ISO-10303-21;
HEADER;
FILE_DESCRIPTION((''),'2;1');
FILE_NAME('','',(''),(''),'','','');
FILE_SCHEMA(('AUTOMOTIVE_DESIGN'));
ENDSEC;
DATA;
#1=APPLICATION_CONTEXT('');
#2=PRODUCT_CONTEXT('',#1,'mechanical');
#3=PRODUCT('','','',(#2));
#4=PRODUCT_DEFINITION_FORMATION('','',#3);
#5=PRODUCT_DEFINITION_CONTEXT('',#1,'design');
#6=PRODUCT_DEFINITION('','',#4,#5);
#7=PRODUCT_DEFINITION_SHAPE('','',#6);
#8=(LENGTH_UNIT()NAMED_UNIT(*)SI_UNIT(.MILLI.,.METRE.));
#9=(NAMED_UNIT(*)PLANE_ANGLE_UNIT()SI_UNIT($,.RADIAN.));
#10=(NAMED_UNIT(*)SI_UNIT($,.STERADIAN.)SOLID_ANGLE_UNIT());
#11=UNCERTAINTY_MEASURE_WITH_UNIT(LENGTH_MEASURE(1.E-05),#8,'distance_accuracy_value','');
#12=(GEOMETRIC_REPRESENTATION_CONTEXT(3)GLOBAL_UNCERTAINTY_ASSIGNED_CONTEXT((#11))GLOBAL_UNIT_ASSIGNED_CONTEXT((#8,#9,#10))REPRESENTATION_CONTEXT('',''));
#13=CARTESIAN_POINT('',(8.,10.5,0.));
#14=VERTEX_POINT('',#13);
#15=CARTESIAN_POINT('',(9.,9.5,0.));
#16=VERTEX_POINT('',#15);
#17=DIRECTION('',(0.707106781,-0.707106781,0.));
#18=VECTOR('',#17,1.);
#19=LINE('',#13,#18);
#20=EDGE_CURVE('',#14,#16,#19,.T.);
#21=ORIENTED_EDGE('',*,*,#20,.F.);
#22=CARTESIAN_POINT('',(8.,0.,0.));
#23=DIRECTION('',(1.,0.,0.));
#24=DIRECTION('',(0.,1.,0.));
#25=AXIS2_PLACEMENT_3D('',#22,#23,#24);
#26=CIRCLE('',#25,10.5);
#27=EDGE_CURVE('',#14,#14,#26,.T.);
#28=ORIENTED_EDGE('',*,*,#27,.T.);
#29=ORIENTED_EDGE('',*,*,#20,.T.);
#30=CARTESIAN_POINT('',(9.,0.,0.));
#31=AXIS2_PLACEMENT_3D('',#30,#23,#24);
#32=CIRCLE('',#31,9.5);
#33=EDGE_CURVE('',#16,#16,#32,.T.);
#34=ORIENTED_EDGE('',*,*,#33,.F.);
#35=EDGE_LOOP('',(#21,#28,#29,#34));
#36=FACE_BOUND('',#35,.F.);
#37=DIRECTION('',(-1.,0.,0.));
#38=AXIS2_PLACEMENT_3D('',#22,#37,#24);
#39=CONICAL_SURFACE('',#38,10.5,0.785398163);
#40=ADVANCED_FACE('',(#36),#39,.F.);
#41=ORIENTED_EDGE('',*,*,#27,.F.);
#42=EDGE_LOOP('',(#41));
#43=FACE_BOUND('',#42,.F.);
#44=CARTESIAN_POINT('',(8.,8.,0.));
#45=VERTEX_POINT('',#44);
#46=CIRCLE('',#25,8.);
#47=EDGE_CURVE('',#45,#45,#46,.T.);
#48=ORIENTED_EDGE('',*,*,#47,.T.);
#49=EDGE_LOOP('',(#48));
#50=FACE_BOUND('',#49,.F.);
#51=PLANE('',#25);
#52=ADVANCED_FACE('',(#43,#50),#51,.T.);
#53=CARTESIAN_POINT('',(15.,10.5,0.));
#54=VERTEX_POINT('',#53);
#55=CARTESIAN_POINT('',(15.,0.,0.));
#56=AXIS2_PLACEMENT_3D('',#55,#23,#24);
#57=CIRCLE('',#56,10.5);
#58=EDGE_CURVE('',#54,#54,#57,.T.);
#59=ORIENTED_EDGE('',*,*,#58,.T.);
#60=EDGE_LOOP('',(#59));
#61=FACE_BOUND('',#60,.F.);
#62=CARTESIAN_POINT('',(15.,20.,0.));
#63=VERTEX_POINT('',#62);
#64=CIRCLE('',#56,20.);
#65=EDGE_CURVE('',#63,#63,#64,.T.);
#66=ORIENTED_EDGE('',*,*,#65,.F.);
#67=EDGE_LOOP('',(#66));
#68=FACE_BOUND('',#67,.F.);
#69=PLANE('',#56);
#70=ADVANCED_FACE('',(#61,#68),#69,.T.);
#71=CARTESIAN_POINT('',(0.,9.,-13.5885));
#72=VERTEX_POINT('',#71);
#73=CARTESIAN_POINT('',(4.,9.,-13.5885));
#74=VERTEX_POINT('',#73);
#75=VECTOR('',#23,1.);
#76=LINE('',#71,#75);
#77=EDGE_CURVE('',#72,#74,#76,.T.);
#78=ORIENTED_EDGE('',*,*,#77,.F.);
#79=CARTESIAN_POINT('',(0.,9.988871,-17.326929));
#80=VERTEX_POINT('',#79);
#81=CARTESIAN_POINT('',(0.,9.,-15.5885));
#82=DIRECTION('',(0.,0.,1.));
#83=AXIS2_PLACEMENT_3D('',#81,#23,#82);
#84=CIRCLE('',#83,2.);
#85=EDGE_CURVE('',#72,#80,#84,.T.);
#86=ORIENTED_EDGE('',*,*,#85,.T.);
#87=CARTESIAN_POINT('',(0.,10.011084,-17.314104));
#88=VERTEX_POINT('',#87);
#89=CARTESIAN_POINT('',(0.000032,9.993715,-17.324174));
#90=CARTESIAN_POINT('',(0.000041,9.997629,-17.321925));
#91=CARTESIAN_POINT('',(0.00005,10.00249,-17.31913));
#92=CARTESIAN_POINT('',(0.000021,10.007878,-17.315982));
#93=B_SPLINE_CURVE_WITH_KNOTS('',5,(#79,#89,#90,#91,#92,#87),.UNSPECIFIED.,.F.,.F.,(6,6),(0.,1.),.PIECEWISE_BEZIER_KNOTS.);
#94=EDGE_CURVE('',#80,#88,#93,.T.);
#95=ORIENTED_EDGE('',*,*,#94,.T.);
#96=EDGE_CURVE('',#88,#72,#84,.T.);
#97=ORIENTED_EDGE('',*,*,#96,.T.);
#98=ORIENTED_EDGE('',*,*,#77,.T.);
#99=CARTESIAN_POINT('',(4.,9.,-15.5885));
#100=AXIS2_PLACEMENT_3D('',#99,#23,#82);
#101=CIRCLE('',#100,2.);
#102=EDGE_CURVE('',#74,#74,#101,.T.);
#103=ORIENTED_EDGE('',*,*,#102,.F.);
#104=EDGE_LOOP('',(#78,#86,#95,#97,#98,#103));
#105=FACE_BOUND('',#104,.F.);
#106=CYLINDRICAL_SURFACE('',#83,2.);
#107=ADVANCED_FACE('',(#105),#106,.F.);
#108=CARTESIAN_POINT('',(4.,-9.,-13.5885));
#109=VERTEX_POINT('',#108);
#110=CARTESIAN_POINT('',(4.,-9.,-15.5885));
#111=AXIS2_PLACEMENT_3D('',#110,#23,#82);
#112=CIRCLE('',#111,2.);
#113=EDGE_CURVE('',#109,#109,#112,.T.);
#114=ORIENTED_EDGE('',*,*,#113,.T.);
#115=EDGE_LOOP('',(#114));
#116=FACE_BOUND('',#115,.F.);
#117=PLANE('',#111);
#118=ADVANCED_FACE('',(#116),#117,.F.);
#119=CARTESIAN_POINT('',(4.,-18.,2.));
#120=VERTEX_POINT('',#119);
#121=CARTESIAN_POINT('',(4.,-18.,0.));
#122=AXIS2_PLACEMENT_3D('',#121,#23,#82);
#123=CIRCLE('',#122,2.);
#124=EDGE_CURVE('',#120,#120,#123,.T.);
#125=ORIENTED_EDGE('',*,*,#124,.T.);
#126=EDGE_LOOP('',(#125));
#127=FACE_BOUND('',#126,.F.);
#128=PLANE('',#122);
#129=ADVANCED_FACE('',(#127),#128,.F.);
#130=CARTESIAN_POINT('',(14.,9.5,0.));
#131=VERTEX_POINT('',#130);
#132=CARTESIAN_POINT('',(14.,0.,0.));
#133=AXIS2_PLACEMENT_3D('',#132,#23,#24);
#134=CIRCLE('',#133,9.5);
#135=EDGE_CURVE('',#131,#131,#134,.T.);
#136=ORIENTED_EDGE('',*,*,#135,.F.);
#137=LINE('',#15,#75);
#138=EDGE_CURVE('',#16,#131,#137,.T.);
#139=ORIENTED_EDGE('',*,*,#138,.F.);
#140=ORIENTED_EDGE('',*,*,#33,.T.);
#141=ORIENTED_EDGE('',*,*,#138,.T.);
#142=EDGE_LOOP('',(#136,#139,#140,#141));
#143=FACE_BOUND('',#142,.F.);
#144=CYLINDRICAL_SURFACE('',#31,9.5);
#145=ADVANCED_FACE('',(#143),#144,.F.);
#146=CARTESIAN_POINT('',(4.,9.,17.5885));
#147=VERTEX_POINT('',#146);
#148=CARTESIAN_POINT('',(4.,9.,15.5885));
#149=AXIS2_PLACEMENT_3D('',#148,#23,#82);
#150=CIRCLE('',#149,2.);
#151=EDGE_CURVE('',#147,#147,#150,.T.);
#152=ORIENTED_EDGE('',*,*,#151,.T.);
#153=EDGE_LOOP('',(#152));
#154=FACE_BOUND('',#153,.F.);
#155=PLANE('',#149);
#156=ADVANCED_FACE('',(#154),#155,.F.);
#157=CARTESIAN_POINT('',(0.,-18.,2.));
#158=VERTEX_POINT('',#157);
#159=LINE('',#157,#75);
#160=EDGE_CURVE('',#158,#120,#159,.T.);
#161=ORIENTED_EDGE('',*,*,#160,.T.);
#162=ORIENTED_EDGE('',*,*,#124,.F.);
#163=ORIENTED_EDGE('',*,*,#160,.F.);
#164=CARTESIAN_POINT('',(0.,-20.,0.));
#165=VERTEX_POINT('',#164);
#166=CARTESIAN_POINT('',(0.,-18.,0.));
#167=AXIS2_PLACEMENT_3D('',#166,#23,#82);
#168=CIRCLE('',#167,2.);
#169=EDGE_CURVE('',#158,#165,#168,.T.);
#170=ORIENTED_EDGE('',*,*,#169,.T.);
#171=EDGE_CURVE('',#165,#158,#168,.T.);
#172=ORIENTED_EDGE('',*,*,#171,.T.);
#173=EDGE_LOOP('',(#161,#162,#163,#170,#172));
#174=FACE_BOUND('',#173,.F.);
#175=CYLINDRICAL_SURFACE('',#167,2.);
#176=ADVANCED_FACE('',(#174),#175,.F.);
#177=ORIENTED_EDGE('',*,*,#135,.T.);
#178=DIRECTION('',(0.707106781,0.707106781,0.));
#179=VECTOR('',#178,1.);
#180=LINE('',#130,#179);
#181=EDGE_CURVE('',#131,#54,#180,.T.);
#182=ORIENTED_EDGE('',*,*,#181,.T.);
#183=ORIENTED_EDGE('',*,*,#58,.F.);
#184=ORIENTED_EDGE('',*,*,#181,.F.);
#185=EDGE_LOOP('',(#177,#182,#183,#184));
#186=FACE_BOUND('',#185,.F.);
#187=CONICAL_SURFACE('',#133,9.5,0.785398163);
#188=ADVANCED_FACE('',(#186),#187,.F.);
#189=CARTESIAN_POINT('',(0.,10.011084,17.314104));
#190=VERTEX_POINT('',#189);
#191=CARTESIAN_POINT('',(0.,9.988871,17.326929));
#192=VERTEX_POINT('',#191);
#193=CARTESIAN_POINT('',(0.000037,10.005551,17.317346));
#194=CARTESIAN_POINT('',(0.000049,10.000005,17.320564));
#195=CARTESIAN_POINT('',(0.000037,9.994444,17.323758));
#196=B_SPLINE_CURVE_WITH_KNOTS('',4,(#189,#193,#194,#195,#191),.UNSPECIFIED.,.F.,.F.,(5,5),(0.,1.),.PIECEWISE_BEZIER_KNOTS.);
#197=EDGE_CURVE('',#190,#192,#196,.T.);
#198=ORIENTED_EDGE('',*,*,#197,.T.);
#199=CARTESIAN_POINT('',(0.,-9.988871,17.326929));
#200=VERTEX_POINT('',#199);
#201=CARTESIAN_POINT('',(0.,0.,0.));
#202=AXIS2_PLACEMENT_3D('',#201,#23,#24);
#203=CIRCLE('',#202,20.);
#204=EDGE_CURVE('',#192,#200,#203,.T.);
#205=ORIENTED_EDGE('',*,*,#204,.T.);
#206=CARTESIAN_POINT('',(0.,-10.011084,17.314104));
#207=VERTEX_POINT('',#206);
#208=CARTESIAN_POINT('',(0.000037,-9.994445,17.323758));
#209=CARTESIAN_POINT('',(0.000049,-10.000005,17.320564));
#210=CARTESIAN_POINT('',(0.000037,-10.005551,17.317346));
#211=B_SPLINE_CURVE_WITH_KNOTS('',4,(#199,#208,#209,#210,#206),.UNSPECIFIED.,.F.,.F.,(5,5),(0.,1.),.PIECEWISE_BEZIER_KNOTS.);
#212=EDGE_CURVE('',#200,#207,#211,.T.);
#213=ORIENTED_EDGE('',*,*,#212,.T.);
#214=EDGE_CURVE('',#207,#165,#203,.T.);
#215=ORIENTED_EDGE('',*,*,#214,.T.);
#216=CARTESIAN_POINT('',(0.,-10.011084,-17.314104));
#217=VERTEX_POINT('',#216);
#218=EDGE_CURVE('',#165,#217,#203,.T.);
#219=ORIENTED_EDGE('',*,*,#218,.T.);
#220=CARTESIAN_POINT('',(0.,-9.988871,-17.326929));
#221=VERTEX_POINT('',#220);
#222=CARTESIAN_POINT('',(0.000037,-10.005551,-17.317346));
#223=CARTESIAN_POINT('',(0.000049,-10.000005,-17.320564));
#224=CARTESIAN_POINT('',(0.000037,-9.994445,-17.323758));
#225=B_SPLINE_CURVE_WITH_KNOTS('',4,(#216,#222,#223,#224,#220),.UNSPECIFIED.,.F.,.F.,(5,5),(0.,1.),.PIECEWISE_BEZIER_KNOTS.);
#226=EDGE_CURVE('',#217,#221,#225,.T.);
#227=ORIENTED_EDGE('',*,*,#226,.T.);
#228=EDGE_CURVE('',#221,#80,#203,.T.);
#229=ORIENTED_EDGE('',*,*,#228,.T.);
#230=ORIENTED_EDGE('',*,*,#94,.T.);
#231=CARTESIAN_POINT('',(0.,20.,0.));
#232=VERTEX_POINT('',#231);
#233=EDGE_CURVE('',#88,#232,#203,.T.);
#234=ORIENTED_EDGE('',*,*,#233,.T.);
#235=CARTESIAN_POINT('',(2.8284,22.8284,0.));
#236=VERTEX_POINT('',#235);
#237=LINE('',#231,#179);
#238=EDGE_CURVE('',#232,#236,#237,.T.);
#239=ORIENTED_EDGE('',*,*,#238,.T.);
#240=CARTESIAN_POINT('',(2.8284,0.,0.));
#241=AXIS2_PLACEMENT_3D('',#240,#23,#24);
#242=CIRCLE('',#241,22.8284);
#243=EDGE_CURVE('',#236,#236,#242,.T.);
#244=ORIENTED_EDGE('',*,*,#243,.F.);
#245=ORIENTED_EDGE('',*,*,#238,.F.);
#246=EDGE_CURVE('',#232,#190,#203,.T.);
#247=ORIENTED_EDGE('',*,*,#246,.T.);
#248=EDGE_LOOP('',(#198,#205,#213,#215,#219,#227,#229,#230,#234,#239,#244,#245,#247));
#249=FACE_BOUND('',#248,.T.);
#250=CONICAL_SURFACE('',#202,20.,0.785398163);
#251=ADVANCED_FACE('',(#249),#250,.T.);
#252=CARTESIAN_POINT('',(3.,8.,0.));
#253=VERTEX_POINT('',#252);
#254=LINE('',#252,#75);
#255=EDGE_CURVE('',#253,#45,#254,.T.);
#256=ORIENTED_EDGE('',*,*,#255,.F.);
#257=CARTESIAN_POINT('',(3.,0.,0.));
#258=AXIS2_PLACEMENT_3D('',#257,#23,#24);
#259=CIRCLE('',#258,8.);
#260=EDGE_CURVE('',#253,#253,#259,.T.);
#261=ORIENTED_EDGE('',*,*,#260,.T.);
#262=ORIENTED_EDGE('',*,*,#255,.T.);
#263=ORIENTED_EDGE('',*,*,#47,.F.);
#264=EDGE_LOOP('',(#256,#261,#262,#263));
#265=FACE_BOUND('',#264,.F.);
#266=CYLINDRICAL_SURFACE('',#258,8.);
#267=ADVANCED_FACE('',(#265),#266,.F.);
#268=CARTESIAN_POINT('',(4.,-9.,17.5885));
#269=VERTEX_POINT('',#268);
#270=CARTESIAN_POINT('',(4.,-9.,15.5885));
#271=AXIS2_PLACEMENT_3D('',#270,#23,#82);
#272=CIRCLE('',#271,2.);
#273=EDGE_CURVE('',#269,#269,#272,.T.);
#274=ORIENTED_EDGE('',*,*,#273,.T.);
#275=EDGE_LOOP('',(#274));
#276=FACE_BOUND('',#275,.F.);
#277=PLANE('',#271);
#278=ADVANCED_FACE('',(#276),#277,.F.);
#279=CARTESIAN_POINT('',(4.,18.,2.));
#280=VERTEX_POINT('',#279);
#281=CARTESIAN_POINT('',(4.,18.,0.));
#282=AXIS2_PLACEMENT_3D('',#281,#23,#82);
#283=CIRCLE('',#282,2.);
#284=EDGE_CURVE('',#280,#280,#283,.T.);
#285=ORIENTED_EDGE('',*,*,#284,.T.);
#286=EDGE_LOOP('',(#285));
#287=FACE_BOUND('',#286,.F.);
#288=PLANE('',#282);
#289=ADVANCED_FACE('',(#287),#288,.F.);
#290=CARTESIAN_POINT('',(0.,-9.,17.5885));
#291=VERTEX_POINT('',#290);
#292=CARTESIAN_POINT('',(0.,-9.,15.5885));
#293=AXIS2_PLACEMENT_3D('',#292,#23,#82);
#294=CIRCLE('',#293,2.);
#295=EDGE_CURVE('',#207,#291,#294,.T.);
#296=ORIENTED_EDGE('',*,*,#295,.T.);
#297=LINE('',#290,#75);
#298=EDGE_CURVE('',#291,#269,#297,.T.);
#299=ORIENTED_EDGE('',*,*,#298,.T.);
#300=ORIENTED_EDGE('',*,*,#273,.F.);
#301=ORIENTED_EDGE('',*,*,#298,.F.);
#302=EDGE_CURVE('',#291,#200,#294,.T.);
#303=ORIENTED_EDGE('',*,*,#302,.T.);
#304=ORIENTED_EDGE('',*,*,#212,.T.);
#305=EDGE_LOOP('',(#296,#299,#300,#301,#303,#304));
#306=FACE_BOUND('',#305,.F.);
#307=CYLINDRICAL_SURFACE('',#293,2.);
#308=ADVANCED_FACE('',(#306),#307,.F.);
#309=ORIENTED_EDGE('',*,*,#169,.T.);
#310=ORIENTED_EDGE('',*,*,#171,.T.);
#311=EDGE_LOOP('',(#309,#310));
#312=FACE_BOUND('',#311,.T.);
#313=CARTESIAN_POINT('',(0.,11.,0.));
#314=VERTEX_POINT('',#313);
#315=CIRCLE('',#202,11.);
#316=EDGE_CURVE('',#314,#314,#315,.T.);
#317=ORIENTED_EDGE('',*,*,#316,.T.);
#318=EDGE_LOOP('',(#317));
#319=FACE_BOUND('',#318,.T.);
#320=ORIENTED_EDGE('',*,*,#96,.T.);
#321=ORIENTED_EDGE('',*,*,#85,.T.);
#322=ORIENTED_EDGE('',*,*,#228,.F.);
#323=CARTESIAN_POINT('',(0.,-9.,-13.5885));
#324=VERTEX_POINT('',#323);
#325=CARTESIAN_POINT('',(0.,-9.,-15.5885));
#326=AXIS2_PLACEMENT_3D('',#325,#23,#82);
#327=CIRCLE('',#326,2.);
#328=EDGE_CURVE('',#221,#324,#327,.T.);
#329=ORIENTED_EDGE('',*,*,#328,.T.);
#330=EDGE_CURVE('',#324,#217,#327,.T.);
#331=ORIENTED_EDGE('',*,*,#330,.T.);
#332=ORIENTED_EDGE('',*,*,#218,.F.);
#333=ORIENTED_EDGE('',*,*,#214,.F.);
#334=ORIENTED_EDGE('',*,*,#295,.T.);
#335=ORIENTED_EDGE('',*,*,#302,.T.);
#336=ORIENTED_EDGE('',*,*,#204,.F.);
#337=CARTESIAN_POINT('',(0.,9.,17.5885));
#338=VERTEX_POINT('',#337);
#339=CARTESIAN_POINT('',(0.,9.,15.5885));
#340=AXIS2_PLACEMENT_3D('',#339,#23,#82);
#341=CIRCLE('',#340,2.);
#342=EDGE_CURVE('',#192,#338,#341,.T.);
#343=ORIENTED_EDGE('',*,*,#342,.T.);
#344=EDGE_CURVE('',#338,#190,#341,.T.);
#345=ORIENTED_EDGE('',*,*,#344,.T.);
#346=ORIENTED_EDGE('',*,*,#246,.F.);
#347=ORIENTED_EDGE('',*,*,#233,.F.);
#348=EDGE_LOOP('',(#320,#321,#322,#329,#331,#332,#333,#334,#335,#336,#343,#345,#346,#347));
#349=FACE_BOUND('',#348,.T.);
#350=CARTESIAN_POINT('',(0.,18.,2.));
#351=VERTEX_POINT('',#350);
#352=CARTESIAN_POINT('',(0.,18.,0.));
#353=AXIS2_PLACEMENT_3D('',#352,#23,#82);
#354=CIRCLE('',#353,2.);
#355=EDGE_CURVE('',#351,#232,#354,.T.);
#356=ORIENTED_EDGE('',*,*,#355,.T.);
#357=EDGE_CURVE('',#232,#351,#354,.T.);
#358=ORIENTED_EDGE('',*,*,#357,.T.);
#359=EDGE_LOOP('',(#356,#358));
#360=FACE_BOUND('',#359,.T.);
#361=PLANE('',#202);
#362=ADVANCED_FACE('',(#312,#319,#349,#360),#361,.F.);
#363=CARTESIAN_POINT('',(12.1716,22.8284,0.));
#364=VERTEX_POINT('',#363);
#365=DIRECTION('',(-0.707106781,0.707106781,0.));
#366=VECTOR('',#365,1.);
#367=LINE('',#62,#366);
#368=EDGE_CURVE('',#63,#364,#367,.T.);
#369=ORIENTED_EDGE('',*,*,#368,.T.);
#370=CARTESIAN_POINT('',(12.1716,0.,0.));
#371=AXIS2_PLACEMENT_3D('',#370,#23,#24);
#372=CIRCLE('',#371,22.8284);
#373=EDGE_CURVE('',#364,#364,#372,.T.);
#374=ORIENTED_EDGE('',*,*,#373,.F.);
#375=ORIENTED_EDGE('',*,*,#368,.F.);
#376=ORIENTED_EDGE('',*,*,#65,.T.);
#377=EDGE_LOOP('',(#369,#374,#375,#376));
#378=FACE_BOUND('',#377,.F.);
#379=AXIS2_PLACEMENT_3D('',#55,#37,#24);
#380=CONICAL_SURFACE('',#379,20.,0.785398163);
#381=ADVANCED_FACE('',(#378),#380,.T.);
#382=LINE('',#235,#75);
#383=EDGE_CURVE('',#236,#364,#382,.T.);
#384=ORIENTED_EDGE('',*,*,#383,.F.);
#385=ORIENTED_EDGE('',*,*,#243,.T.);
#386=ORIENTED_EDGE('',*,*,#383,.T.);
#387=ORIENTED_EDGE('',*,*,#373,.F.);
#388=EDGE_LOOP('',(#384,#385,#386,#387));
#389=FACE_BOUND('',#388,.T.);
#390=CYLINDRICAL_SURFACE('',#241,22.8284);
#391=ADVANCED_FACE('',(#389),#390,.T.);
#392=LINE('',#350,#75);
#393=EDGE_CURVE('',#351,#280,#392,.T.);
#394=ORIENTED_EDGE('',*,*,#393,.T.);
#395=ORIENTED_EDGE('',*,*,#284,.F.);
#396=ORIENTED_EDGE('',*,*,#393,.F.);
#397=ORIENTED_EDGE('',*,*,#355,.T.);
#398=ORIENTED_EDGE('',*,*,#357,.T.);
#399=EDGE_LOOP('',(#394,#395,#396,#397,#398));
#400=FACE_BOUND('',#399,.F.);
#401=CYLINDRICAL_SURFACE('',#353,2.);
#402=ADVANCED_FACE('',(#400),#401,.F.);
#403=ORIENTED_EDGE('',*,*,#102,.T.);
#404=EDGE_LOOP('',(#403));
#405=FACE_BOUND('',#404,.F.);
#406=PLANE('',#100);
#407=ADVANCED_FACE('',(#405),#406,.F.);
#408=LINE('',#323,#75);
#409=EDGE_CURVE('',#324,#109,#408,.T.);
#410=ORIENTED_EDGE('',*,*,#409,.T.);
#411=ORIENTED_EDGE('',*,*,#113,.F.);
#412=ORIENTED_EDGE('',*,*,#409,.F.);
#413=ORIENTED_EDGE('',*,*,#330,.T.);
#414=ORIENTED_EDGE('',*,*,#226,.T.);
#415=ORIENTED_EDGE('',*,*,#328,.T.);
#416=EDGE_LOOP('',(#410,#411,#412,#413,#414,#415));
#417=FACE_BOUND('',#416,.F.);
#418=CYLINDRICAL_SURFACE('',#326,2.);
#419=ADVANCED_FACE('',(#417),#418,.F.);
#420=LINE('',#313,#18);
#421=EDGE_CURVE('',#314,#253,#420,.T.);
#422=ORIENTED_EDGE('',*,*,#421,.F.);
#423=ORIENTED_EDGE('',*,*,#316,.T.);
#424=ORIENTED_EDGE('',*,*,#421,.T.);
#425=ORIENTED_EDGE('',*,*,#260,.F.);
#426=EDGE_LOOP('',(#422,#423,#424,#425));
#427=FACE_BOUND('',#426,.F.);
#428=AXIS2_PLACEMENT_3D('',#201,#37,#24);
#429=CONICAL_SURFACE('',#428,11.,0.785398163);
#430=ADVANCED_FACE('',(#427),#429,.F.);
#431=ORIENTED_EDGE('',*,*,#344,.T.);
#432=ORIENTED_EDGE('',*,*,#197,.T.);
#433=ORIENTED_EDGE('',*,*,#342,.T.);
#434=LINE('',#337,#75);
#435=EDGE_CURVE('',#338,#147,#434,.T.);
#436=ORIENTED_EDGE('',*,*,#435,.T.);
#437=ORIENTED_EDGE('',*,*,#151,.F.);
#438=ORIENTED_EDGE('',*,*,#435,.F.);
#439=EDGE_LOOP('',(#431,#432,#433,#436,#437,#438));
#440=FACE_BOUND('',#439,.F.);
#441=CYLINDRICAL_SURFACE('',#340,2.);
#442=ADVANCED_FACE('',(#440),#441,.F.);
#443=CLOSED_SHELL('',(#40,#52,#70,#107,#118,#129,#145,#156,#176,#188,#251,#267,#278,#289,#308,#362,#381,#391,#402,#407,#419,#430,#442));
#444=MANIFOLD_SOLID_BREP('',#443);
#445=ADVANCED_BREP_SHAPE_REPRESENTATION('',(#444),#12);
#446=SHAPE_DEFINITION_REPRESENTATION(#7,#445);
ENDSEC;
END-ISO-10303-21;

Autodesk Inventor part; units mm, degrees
ref_plane "YZ Plane" through (0, 0, 0) normal (1, 0, 0) x (0, 1, 0)
ref_plane "XZ Plane" through (0, 0, 0) normal (0, 1, 0) x (-1, 0, 0)
ref_plane "XY Plane" through (0, 0, 0) normal (0, 0, 1) x (1, 0, 0)
sketch "Эскиз1" plane through (0, 0, 0) normal (0, 0, 1) x (1, 0, 0)
  line L0 (0, 0) -> (0, 20)
  line L1 (0, 20) -> (2.8284, 22.8284)
  line L2 (0, 0) -> (15, 0)
  line L3 (15, 0) -> (15, 20)
  line L4 (15, 20) -> (12.1716, 22.8284)
  line L5 (2.8284, 22.8284) -> (12.1716, 22.8284)
  dimension "d0" = 20
  dimension "d1" = 4
  dimension "d2" = 135
  dimension "d3" = 15
  dimension "d4" = 4
  dimension "d5" = 135
revolve "Вращение1" add sketch "Эскиз1" angle 360 about axis through (0, 0, 0) along (1, 0, 0)
sketch "Эскиз2" plane through (0, 0, 0) normal (-1, 0, 0) x (0, 0, 1)
  point P0 (0, 0)
  point P1 (0, 18)
  point P2 (-15.5885, 9)
  point P3 (-15.5885, -9)
  point P4 (0, -18)
  point P5 (15.5885, -9)
  point P6 (15.5885, 9)
  dimension "d7" = 18
  dimension "d10" = 360
hole "Отверстие1" at (0, 18, 0) at (0, 9, -15.5885) at (0, -9, -15.5885) at (0, -18, 0) at (0, -9, 15.5885) at (0, 9, 15.5885) direction (1, 0, 0) diameter 4 depth 4
sketch "Эскиз3" plane through (0, 0, 0) normal (0, 0, 1) x (1, 0, 0)
  line L0 (0, 0) -> (0, 11)
  line L1 (0, 11) -> (3, 8)
  line L2 (3, 8) -> (8, 8)
  line L3 (8, 8) -> (8, 10.5)
  line L4 (8, 10.5) -> (9, 9.5)
  line L5 (9, 9.5) -> (14, 9.5)
  line L6 (14, 9.5) -> (15, 10.5)
  line L7 (15, 10.5) -> (15, 0)
  line L8 (15, -20) -> (15, 20) projected
  line L9 (0, 0) -> (15, 0)
  dimension "d19" = 45
  dimension "d20" = 45
  dimension "d21" = 45
  dimension "d22" = 16
  dimension "d23" = 19
  dimension "d24" = 5
  dimension "d25" = 5
  dimension "d26" = 10.5
revolve "Вращение2" cut sketch "Эскиз3" angle 360 about axis through (0, 0, 0) along (1, 0, 0)
properties part number "711135"
